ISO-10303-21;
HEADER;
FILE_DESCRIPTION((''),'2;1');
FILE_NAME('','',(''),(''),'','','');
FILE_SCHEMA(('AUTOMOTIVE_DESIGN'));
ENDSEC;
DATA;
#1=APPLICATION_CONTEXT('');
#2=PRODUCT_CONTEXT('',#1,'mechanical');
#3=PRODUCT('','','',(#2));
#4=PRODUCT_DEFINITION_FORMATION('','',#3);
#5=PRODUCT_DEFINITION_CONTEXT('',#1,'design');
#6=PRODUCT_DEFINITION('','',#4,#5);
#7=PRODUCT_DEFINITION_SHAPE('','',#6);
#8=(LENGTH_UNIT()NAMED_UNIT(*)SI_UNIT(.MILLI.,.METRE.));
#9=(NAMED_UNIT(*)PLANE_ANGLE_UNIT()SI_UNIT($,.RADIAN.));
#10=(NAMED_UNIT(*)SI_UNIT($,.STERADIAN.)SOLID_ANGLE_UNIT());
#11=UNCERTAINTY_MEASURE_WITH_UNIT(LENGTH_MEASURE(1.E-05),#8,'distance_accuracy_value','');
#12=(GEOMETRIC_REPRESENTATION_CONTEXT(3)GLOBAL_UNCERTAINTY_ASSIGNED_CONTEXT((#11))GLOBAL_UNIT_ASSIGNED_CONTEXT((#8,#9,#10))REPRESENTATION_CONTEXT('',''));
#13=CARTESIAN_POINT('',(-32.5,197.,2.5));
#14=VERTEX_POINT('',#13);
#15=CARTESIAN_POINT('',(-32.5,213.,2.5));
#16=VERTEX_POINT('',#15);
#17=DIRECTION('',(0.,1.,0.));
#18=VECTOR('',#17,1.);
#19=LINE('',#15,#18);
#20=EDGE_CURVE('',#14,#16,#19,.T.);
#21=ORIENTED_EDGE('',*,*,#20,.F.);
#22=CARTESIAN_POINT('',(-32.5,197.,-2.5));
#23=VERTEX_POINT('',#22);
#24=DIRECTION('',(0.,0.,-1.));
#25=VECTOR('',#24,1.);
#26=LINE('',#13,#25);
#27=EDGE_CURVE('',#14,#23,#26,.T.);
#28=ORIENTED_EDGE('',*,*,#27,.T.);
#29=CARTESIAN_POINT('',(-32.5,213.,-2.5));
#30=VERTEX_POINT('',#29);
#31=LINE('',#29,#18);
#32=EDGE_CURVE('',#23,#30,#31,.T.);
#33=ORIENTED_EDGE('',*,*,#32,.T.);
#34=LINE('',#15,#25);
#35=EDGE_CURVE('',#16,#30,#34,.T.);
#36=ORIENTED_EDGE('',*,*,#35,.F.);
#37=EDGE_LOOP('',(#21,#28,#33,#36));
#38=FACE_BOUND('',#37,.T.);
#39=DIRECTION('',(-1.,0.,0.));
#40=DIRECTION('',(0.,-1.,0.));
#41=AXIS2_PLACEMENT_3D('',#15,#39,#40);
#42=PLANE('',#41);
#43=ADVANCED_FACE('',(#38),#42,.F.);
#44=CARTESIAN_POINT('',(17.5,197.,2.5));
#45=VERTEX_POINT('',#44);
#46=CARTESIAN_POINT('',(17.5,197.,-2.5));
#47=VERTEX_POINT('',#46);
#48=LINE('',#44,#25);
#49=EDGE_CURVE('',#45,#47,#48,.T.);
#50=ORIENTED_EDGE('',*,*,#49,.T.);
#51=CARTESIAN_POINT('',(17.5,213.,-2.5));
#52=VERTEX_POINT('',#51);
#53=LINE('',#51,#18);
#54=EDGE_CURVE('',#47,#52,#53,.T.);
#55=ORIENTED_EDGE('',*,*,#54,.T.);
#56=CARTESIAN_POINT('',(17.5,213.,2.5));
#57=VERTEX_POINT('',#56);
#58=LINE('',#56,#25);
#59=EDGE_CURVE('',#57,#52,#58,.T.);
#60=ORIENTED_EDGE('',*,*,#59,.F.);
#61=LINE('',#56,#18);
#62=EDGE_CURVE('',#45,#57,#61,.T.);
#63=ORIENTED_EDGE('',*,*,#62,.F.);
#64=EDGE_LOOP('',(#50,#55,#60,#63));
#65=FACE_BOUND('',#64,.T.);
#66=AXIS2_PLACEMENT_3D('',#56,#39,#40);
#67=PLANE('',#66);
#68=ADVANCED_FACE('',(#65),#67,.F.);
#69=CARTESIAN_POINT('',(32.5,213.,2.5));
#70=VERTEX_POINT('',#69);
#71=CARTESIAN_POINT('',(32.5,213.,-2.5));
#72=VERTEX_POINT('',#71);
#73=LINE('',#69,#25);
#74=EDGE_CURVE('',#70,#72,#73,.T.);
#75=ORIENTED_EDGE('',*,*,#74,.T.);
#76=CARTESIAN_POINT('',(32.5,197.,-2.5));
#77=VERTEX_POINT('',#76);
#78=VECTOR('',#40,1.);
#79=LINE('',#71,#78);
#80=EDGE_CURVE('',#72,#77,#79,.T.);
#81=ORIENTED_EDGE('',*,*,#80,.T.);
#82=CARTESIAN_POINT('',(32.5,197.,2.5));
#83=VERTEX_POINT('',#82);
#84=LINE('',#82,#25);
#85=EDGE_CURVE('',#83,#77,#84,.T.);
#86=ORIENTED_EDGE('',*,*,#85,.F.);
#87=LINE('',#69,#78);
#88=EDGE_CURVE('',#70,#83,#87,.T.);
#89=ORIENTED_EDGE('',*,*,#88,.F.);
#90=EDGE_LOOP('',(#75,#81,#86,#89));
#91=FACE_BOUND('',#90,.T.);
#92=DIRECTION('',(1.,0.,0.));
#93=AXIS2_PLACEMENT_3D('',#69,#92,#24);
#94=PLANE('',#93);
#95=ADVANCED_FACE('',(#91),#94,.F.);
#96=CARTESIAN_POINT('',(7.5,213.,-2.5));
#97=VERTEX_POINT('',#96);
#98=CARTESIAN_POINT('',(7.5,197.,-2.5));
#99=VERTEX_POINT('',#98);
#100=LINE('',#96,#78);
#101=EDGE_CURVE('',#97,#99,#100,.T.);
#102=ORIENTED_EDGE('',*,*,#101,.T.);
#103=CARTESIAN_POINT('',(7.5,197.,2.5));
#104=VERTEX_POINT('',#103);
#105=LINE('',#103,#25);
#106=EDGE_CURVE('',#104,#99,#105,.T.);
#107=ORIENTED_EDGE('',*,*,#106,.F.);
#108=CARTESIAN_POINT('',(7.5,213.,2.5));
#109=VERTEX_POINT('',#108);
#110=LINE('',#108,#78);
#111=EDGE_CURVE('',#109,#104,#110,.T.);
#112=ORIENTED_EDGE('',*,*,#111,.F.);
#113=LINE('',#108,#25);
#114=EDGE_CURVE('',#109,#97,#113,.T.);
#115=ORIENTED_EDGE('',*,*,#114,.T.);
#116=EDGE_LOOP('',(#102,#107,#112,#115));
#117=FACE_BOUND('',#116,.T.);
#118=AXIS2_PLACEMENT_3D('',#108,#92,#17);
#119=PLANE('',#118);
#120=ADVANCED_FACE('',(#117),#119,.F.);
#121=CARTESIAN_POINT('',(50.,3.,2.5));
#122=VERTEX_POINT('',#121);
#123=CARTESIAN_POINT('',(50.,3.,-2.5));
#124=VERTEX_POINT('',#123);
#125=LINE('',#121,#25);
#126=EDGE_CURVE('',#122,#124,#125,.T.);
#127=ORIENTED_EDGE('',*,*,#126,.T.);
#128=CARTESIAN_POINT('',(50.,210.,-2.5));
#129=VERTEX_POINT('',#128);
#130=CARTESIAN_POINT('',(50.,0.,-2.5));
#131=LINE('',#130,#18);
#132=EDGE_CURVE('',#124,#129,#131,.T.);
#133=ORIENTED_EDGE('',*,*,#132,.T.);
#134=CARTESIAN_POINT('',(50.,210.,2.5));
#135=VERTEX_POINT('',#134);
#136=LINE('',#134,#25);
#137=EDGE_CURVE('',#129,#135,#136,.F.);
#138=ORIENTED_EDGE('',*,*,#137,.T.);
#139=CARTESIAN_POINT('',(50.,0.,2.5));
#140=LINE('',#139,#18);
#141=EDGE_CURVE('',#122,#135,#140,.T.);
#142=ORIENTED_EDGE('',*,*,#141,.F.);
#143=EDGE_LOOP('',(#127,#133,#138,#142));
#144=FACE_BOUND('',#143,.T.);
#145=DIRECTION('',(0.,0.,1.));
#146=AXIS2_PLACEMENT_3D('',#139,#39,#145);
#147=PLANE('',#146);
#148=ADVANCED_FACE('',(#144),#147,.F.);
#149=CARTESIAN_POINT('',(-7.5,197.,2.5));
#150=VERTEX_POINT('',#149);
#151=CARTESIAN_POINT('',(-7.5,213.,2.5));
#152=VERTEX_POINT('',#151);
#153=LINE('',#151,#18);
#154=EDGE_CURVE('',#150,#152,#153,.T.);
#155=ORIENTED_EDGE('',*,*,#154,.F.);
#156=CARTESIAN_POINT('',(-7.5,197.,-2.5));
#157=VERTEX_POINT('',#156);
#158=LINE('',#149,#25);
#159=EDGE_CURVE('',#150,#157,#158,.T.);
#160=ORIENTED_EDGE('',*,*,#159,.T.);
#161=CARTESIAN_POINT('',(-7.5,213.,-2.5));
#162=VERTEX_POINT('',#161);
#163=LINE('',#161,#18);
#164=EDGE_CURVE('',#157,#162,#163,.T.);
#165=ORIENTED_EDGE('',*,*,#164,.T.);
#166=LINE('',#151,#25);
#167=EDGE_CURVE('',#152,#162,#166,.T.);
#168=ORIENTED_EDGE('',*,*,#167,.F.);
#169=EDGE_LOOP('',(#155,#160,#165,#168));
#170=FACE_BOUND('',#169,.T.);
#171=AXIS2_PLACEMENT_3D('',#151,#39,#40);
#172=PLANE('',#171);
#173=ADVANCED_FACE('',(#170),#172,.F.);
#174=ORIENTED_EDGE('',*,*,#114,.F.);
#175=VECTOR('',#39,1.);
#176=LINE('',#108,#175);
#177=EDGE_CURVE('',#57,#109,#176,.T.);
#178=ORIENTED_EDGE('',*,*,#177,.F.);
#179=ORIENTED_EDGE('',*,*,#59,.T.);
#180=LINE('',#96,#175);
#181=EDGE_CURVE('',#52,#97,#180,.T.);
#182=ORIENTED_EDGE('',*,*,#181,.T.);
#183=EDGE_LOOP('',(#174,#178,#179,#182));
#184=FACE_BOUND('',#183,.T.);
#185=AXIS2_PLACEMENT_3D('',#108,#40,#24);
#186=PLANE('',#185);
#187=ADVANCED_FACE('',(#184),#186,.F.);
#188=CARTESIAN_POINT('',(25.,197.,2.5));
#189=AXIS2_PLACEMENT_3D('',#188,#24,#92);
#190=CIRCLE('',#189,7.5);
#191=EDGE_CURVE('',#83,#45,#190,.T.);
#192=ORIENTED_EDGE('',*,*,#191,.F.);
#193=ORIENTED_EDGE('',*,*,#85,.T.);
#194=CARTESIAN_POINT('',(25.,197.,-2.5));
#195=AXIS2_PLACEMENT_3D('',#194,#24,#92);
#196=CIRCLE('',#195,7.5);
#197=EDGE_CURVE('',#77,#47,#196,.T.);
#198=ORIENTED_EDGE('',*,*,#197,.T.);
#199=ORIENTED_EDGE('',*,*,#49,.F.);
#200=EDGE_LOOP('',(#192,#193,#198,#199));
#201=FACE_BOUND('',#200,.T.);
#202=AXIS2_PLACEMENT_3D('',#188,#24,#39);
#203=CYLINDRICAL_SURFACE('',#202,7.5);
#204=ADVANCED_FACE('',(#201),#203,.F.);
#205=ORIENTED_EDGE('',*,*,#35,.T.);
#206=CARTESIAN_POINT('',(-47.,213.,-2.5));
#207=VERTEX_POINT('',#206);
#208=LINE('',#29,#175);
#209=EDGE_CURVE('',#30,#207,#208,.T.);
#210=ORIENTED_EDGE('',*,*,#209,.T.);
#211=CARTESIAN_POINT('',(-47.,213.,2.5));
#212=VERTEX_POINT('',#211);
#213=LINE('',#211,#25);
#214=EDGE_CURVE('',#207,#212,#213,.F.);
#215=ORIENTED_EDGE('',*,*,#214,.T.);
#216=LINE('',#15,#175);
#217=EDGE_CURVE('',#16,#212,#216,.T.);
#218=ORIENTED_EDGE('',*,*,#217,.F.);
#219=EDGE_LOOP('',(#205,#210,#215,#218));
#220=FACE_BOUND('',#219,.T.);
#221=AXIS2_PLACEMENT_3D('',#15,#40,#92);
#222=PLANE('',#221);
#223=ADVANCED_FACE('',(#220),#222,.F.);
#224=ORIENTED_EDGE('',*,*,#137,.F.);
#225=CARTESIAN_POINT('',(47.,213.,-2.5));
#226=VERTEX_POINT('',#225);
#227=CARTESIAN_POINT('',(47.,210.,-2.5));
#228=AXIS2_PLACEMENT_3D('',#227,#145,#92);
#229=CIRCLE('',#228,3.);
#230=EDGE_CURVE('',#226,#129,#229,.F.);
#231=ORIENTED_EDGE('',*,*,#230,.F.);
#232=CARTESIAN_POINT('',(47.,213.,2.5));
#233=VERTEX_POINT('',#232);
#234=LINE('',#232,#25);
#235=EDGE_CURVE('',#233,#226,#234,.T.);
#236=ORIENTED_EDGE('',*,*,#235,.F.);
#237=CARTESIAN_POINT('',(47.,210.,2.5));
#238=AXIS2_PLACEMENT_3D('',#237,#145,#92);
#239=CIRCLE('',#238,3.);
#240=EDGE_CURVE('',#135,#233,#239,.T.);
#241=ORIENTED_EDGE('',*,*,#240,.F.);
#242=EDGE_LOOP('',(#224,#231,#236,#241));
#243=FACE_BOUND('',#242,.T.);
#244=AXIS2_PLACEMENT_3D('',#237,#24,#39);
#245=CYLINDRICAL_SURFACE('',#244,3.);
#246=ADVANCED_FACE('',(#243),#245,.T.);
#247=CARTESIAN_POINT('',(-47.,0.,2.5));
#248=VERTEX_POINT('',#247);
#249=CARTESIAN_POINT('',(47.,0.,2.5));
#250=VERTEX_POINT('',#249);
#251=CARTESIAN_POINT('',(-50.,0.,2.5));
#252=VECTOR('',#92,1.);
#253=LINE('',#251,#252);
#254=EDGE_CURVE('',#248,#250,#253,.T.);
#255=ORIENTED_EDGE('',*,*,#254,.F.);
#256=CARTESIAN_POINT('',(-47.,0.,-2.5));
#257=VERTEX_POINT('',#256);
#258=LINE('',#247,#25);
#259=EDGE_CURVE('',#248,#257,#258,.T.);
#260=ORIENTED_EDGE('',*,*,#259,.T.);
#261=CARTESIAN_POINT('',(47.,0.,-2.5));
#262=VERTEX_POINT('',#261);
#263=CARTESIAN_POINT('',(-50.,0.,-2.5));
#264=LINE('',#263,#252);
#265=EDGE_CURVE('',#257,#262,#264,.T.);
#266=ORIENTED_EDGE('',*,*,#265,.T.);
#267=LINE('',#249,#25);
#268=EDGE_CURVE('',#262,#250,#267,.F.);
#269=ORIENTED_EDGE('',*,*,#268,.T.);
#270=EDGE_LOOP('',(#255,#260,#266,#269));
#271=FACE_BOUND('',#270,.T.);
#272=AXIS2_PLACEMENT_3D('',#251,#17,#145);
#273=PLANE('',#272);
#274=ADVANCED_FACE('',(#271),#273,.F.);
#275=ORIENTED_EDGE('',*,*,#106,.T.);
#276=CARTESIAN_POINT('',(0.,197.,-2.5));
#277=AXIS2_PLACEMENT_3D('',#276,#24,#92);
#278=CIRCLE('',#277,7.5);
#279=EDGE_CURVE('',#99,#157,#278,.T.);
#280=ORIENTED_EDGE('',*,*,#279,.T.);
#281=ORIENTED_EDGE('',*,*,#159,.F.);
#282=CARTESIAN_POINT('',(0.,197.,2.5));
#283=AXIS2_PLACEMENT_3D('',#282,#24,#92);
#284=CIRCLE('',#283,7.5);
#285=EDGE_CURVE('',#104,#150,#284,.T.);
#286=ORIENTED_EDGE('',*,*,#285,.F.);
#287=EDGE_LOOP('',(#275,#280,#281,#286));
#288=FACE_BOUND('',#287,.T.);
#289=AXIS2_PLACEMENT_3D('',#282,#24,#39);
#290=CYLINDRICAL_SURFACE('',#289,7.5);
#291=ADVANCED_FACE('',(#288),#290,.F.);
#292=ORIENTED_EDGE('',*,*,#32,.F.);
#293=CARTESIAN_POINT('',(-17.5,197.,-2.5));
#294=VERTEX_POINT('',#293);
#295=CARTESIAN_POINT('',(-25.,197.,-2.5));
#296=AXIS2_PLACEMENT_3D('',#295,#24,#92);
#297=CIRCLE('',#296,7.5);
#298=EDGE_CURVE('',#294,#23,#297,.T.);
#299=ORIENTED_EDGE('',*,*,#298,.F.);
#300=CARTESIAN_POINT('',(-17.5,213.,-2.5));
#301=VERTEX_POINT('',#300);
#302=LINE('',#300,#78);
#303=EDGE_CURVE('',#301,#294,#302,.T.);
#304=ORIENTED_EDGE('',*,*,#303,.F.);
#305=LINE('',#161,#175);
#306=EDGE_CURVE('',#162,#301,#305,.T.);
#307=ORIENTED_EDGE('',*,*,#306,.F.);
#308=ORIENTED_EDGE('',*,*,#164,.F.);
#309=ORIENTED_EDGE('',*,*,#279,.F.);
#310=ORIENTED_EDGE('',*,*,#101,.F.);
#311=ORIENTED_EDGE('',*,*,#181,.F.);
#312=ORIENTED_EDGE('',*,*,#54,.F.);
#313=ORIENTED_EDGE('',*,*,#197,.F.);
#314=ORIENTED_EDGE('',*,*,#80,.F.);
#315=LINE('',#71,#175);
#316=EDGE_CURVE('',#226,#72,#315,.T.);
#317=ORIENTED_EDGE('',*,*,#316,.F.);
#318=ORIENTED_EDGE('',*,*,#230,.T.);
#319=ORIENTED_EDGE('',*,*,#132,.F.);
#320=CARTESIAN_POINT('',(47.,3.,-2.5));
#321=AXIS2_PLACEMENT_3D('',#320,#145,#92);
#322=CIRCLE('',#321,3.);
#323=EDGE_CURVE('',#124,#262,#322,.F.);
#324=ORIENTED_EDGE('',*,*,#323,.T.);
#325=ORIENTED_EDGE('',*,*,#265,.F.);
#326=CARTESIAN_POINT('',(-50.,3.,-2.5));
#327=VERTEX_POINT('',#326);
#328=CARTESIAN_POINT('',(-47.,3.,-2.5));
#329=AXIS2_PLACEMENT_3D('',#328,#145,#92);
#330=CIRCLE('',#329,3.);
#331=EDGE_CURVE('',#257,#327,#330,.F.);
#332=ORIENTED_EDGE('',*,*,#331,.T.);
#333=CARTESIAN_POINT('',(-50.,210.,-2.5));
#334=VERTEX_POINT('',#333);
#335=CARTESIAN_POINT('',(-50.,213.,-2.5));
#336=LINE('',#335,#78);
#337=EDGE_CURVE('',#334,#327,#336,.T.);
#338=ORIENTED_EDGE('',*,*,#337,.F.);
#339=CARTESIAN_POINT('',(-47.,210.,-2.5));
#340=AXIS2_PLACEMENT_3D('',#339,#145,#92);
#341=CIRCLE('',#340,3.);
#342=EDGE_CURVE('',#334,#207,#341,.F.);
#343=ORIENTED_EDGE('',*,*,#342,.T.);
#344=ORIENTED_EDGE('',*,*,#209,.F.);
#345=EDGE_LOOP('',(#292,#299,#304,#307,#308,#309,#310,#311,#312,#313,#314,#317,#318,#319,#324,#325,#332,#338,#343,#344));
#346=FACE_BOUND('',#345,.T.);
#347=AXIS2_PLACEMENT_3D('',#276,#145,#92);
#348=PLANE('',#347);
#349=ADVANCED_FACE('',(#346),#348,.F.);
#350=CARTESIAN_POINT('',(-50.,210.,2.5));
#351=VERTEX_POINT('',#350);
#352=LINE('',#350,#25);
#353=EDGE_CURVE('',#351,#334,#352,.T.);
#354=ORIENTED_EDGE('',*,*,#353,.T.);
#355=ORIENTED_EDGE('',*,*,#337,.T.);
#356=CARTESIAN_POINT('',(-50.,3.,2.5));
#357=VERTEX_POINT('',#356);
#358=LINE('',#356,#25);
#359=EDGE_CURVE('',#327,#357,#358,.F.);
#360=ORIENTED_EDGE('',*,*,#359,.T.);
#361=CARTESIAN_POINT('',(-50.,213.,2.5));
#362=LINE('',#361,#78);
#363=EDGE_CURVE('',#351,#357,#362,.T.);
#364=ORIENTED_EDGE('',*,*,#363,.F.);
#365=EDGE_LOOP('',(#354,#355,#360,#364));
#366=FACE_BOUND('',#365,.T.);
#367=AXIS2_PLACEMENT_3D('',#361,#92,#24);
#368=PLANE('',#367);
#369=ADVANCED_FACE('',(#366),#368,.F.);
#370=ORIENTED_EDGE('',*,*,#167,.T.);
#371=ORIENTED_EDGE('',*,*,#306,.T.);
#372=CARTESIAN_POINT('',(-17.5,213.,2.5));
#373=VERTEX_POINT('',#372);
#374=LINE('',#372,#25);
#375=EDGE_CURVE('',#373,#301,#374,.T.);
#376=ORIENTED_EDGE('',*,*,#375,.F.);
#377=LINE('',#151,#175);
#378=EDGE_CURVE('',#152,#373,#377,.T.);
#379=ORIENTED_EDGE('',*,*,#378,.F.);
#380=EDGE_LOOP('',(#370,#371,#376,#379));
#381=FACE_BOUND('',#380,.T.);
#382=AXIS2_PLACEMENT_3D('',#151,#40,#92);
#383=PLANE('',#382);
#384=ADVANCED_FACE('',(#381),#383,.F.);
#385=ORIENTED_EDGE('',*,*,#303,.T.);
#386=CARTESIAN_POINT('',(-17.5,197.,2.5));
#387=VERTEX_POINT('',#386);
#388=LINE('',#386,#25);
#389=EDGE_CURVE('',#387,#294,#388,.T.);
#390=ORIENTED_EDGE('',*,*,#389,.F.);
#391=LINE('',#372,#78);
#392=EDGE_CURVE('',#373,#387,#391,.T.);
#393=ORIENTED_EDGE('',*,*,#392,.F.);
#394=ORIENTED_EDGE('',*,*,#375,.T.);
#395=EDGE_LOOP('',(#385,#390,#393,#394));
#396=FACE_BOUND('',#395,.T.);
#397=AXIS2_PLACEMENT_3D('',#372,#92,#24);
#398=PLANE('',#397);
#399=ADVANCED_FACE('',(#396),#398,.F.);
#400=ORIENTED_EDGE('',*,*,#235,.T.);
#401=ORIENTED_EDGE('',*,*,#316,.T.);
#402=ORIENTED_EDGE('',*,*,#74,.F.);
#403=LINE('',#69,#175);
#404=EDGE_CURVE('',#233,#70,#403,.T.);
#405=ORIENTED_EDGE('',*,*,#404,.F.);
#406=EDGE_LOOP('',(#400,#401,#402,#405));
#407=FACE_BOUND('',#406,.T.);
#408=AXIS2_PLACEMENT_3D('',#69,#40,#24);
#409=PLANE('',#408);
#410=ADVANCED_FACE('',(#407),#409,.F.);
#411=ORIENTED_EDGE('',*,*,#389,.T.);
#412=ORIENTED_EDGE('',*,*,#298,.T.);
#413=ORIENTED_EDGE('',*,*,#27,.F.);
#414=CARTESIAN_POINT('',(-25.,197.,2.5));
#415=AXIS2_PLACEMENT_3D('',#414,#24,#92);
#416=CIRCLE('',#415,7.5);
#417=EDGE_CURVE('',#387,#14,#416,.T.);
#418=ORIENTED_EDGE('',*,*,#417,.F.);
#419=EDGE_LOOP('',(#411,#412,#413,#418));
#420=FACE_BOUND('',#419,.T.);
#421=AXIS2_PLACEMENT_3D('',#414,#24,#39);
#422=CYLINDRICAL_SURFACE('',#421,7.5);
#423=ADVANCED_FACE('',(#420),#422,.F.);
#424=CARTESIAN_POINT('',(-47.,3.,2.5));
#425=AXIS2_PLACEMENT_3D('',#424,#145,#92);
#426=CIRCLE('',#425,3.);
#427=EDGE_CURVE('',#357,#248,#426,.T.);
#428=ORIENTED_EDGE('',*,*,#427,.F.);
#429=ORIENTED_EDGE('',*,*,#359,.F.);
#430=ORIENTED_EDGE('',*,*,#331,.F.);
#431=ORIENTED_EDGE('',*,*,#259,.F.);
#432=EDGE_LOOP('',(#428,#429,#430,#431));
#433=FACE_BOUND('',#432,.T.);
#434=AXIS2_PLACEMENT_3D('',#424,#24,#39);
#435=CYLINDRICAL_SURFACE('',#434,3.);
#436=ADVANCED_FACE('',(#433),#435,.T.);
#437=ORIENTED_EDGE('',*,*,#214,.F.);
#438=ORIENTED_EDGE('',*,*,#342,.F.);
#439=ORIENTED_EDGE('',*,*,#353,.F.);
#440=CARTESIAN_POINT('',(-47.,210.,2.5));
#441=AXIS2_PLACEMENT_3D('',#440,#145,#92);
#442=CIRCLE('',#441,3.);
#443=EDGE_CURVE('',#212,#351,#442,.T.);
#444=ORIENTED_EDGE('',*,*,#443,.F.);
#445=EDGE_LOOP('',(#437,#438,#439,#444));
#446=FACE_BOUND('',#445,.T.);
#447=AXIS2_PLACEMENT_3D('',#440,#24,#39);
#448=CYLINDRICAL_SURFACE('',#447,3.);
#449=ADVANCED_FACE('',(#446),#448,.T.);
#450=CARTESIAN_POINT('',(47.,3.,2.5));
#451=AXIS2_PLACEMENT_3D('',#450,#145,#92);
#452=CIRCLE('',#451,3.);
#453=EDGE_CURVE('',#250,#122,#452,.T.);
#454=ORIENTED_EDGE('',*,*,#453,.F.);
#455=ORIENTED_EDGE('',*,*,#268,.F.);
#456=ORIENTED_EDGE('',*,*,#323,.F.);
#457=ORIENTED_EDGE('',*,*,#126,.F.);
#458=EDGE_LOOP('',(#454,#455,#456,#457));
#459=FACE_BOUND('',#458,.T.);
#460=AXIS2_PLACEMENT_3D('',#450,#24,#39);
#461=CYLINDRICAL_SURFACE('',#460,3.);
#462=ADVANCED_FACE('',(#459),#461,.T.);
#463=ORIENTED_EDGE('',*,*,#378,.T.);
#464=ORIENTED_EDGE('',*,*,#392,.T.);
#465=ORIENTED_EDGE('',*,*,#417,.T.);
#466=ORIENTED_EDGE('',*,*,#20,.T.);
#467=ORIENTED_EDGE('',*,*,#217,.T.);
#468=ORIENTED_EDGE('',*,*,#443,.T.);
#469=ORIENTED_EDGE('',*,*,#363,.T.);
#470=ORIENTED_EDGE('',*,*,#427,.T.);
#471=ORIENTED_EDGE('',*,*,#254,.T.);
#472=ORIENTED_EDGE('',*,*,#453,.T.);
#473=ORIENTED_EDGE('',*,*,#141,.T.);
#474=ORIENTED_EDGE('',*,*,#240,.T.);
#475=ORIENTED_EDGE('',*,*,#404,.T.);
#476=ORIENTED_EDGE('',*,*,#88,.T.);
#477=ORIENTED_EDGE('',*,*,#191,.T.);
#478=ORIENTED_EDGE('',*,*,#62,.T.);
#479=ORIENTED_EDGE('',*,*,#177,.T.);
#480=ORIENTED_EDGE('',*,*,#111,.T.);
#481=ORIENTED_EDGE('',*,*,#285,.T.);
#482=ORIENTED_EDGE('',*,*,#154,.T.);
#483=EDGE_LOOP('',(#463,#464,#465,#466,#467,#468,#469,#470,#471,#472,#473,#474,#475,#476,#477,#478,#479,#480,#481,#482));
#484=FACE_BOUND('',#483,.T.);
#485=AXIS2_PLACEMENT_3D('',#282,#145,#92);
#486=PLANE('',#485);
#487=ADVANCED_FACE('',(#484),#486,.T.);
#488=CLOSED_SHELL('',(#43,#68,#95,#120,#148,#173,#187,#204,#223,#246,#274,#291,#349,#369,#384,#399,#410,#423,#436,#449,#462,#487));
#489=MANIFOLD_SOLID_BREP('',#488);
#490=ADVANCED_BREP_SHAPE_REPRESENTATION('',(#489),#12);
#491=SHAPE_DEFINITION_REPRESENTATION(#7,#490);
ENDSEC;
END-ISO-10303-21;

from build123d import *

# Parameters (mm, degrees)
BOSS_EXTRUDE1_DEPTH = 2.5
FILLET1_R           = 3


with BuildPart() as part:
    # Sketch1 → Boss-Extrude1 (new body, symmetric)
    with BuildSketch(Plane.XY):
        with BuildLine():
            Line((-7.5, 213), (-17.5, 213))
            Line((-17.5, 213), (-17.5, 197))
            ThreePointArc((-17.5, 197), (-25, 189.5), (-32.5, 197))
            Line((-32.5, 197), (-32.5, 213))
            Line((-32.5, 213), (-50, 213))
            Line((-50, 213), (-50, 0))
            Line((-50, 0), (50, 0))
            Line((50, 0), (50, 213))
            Line((50, 213), (32.5, 213))
            Line((32.5, 213), (32.5, 197))
            ThreePointArc((32.5, 197), (25, 189.5), (17.5, 197))
            Line((17.5, 197), (17.5, 213))
            Line((17.5, 213), (7.5, 213))
            Line((7.5, 213), (7.5, 197))
            ThreePointArc((7.5, 197), (0, 189.5), (-7.5, 197))
            Line((-7.5, 197), (-7.5, 213))
        make_face()
    extrude(amount=BOSS_EXTRUDE1_DEPTH, both=True)

    # Fillet1
    fillet1_edges = [part.edges().sort_by_distance(p)[0] for p in [
        (50, 213, 0),
        (50, 0, 0),
        (-50, 0, 0),
        (-50, 213, 0),
    ]]
    fillet(fillet1_edges, radius=FILLET1_R)


solid = part.part
